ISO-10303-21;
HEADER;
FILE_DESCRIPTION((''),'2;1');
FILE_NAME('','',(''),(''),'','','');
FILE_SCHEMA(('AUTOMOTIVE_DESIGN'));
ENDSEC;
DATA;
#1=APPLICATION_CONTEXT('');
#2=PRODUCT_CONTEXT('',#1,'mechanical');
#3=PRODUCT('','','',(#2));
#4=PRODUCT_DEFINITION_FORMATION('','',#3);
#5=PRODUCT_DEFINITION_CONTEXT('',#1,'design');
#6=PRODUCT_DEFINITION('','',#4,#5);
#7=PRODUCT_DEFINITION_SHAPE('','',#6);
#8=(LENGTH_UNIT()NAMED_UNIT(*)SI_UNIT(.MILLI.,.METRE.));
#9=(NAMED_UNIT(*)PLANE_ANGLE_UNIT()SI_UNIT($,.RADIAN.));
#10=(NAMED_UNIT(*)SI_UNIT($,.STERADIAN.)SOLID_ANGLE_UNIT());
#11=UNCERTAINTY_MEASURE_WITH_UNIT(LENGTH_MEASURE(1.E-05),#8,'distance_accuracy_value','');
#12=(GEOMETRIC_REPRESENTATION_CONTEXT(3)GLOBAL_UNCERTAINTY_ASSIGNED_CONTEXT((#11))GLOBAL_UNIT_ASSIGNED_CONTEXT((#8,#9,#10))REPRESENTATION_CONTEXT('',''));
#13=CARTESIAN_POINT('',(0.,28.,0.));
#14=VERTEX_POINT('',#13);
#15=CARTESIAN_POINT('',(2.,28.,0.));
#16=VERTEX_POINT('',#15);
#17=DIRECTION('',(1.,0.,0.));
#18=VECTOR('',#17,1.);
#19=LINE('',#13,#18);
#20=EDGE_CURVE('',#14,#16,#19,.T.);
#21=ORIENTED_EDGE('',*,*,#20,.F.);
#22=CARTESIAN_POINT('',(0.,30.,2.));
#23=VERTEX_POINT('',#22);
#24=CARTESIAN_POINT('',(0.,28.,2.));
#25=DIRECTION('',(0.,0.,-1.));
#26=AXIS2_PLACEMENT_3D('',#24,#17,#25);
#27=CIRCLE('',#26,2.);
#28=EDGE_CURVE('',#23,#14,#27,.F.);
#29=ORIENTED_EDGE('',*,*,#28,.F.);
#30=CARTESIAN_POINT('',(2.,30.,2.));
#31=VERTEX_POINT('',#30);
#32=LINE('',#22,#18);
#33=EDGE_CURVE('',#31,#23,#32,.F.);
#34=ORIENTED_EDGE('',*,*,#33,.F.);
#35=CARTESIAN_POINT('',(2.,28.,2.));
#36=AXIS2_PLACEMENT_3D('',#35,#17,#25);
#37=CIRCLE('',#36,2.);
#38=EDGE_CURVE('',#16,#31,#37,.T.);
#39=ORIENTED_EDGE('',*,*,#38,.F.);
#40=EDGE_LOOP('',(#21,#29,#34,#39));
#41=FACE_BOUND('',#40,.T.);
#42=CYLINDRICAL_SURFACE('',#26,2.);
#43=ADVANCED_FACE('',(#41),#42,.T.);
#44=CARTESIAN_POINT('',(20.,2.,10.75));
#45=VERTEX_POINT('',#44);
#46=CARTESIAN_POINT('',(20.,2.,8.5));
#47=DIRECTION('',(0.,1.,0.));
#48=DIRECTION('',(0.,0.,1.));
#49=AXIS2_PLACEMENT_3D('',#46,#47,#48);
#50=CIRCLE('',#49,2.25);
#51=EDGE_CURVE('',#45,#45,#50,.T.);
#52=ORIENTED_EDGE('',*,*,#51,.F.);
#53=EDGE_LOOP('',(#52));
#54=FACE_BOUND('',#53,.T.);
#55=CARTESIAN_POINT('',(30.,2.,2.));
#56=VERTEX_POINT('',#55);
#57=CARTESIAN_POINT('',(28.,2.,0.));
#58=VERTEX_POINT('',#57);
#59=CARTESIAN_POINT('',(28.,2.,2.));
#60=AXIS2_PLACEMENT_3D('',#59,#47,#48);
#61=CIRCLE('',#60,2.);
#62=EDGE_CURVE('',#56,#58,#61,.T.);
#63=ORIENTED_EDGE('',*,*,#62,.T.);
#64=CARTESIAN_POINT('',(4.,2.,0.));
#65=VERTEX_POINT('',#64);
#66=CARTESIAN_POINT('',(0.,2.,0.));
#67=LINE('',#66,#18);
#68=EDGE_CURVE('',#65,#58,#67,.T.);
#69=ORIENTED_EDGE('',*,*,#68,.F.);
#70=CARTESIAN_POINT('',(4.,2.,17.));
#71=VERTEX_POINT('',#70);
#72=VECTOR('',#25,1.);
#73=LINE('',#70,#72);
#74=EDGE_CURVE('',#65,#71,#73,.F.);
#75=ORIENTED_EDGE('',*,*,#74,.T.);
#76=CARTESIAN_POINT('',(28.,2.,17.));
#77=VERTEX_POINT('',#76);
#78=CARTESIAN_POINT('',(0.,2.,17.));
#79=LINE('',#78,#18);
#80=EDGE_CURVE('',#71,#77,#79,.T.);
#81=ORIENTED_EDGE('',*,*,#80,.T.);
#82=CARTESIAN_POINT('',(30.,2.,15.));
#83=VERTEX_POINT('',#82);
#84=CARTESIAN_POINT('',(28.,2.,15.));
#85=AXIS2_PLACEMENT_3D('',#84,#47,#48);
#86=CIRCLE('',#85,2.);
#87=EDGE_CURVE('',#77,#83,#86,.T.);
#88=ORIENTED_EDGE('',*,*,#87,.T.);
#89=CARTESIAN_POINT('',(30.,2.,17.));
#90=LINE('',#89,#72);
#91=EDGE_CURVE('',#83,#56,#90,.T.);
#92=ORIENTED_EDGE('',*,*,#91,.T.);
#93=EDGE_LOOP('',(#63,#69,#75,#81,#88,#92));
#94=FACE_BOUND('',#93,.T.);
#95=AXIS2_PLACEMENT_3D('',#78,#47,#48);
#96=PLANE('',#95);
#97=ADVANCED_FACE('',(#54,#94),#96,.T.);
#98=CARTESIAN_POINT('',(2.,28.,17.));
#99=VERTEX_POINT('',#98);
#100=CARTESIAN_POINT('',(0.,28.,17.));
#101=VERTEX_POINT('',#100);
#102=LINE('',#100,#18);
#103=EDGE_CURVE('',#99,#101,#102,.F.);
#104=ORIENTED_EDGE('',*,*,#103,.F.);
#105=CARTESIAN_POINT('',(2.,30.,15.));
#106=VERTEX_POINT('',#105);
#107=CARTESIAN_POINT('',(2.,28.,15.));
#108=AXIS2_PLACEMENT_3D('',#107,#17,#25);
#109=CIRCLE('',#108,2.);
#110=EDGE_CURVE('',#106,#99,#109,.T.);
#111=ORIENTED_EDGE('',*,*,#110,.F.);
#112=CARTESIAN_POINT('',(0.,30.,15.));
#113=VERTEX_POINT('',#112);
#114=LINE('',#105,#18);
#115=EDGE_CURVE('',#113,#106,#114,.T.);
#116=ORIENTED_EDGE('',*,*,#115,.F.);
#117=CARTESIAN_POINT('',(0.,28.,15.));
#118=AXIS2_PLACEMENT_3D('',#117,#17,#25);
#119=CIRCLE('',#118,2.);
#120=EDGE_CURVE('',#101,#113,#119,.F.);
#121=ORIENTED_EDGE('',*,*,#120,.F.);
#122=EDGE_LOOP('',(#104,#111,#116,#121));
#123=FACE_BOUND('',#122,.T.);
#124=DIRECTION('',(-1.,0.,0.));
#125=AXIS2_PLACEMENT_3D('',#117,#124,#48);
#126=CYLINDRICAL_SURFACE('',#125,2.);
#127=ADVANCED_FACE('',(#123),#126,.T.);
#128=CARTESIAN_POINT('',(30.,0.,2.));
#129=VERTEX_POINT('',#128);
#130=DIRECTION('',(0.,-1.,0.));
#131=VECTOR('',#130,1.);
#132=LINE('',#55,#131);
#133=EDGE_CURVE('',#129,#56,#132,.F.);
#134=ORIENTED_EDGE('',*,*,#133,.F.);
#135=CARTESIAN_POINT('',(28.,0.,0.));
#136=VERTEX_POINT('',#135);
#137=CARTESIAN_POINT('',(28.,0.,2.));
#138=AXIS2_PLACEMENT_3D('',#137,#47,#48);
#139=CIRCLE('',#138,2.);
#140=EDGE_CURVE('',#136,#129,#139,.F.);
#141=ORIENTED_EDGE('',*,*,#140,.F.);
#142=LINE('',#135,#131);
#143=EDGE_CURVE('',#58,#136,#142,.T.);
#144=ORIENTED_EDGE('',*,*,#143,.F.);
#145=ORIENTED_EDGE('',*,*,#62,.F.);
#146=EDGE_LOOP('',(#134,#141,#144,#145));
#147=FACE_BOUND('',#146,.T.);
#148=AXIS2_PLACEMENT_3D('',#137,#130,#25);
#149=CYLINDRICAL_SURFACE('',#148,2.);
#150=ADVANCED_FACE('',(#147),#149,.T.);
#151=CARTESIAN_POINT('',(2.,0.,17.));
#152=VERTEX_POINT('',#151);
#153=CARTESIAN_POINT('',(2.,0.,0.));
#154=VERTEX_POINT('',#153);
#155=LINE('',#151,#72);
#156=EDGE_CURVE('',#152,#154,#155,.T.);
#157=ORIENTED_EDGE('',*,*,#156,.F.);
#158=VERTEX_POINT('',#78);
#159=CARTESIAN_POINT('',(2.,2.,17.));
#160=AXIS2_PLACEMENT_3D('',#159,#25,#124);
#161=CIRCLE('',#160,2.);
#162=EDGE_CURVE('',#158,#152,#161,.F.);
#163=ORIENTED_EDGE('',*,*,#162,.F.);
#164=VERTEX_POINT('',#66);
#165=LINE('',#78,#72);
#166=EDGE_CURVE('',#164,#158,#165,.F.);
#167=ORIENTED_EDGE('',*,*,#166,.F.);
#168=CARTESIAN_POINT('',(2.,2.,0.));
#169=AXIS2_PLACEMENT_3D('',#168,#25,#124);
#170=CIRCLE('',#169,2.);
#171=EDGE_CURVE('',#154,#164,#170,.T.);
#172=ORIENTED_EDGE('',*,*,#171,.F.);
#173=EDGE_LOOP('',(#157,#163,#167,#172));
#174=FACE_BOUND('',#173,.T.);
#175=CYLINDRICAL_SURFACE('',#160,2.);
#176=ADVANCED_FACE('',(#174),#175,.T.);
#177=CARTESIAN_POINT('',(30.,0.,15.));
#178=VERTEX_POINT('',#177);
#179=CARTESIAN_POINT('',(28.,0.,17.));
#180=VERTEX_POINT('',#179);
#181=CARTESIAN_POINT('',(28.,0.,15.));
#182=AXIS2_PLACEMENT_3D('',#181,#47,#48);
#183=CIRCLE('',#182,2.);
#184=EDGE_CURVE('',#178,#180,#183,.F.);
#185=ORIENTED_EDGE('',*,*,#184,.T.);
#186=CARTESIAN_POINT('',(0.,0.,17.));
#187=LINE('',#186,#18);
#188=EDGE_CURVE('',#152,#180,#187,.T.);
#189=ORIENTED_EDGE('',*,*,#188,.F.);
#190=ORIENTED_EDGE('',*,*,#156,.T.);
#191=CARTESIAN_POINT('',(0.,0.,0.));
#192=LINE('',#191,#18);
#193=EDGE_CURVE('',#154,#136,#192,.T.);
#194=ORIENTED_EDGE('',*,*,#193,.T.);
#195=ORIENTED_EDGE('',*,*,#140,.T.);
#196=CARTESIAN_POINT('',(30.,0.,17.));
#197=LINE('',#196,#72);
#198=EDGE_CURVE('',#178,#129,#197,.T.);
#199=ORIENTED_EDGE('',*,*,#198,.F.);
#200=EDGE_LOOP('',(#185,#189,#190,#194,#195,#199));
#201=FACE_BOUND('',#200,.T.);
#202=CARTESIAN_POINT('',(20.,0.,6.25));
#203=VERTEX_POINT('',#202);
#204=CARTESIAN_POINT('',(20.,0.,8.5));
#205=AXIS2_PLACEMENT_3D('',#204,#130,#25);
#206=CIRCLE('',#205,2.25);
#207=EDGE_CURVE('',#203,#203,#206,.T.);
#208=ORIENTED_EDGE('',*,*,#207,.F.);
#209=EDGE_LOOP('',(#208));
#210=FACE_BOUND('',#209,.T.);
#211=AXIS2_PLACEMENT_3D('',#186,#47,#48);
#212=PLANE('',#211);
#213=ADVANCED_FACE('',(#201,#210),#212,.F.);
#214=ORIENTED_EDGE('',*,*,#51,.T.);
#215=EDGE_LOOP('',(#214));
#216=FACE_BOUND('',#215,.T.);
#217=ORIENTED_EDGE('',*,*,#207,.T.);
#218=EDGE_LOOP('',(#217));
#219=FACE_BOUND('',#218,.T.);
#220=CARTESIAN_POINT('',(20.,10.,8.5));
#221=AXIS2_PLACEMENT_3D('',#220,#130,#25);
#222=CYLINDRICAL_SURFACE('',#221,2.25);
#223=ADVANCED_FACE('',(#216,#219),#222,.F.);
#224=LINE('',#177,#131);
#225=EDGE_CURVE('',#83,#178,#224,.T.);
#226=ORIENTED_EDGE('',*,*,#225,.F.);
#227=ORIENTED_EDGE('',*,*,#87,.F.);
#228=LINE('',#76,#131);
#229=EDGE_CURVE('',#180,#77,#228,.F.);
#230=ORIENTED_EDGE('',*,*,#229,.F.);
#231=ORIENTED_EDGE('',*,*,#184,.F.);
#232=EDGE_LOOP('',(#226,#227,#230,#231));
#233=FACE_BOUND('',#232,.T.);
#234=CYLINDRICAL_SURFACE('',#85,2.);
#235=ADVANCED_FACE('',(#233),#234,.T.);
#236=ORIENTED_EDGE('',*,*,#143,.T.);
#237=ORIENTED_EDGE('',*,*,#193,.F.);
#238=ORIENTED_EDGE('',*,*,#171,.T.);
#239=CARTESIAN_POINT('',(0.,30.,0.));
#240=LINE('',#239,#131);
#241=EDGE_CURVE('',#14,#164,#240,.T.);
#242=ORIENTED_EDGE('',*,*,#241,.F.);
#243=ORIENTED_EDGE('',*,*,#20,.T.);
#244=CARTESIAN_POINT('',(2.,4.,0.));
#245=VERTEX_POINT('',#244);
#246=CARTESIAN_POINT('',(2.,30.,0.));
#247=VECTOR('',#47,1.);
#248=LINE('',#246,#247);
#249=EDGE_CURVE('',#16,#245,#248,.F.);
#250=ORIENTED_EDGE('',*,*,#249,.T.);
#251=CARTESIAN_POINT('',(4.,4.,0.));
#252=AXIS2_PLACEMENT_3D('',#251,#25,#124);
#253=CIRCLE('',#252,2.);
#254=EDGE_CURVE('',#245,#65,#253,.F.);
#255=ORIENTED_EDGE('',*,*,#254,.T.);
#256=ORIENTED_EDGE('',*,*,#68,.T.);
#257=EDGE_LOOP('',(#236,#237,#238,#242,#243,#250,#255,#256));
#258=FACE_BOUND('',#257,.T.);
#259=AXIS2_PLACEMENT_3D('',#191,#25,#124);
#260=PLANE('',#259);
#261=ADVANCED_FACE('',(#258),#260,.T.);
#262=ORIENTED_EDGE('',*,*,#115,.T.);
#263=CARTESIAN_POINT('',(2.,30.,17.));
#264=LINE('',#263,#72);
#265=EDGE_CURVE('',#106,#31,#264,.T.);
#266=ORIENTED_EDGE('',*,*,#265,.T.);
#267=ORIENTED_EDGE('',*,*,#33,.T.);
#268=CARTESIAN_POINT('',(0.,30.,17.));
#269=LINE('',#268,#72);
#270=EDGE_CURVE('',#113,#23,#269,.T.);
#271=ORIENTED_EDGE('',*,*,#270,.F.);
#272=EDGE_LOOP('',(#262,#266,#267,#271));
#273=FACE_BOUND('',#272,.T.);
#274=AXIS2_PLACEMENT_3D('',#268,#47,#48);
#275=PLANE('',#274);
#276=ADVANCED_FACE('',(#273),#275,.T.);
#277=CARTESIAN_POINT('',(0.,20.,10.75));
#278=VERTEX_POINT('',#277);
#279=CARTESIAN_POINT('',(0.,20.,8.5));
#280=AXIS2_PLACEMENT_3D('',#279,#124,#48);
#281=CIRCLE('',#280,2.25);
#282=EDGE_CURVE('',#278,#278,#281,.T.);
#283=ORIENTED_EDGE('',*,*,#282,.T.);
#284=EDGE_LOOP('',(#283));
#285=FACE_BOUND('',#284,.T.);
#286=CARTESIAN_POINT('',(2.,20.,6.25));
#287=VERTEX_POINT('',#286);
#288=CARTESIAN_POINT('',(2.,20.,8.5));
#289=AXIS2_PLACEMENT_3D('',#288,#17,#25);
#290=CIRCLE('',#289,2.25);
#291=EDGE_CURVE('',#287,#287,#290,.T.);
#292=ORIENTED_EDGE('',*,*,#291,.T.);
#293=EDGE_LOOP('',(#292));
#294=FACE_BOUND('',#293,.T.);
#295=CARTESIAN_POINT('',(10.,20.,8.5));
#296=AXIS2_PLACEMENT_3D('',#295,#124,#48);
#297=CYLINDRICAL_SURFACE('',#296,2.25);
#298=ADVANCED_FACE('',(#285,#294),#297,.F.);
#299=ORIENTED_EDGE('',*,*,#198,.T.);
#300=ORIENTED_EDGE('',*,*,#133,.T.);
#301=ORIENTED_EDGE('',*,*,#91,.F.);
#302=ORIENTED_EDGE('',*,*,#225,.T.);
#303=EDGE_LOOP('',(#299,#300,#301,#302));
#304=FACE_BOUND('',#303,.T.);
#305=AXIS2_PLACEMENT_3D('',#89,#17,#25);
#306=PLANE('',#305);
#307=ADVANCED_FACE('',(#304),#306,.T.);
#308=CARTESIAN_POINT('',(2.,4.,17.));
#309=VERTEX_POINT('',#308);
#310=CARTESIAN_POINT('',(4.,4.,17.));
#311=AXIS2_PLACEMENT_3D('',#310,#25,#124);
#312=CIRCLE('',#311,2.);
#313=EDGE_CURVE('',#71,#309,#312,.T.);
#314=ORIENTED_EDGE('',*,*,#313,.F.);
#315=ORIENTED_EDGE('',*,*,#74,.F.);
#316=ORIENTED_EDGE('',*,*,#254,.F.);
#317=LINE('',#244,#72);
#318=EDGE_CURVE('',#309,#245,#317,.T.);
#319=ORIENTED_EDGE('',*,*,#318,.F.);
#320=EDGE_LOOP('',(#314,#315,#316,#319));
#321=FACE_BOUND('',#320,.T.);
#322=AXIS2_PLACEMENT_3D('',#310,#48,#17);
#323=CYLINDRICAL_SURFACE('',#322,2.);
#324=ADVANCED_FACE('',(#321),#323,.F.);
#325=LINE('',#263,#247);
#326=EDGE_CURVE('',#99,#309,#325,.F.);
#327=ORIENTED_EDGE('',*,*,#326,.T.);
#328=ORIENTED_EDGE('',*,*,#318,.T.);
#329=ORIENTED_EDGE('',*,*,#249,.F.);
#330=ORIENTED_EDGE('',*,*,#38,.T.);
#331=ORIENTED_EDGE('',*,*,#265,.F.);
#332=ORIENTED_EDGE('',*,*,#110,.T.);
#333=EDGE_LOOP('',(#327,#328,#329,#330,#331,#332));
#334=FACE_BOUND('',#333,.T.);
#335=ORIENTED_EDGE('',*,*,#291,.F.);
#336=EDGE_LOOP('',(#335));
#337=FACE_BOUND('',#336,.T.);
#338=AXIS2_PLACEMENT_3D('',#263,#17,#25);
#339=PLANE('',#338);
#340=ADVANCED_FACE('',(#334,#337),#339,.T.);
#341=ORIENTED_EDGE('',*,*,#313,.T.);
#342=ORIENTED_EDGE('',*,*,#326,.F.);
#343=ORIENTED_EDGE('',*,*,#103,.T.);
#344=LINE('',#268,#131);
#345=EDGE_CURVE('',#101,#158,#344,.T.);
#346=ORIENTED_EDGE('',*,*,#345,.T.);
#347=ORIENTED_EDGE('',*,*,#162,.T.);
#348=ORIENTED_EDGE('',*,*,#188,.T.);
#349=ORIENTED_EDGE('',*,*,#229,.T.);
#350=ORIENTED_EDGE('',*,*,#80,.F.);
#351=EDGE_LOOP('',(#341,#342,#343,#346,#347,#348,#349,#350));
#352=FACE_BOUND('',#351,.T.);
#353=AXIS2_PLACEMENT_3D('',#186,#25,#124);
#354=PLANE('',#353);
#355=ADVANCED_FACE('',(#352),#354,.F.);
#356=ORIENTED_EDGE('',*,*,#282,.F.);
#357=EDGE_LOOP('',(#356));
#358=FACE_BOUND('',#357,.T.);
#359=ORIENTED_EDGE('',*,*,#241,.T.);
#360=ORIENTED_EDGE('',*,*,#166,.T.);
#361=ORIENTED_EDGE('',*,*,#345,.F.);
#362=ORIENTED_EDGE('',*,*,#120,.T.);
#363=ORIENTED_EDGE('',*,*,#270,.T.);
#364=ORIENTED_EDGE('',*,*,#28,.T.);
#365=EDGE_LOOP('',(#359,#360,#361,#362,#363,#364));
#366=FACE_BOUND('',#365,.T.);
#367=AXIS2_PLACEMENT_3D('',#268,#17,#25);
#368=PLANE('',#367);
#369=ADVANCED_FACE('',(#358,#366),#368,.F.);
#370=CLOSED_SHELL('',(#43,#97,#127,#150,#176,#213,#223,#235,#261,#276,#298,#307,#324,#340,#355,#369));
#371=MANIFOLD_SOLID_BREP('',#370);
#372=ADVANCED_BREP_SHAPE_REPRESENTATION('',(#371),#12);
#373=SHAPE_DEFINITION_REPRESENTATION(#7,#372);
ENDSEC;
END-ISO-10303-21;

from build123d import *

# Parameters (mm, degrees)
EXTRUDE_THIN1_DEPTH = 17
FILLET1_R           = 2
FILLET2_R           = 2
SKETCH2_R           = 2.25
CUT_EXTRUDE1_DEPTH  = 10
SKETCH4_R           = 2.25
CUT_EXTRUDE2_DEPTH  = 10


with BuildPart() as part:
    # Sketch1 → Extrude-Thin1 (new body)
    with BuildSketch(Plane.XY):
        Polygon((0, 30), (0, 0), (30, 0), (30, 2), (2, 2), (2, 30), align=None)
    extrude(amount=EXTRUDE_THIN1_DEPTH)

    # Fillet1
    fillet1_edges = [part.edges().sort_by_distance(p)[0] for p in [
        (1, 30, 17),
        (1, 30, 0),
        (30, 1, 0),
        (30, 1, 17),
    ]]
    fillet(fillet1_edges, radius=FILLET1_R)

    # Fillet2
    fillet2_edges = [part.edges().sort_by_distance(p)[0] for p in [
        (0, 0, 8.5),
        (2, 2, 8.5),
    ]]
    fillet(fillet2_edges, radius=FILLET2_R)

    # Sketch2 → Cut-Extrude1 (cut)
    with BuildSketch(Plane.ZY):
        with Locations((8.5, 20)):
            Circle(SKETCH2_R)
    extrude(amount=-CUT_EXTRUDE1_DEPTH, mode=Mode.SUBTRACT)

    # Sketch4 → Cut-Extrude2 (cut)
    with BuildSketch(Plane.XZ):
        with Locations(Location((20, 8.5, 0), (0, 0, 270))):
            Circle(SKETCH4_R)
    extrude(amount=-CUT_EXTRUDE2_DEPTH, mode=Mode.SUBTRACT)


solid = part.part
